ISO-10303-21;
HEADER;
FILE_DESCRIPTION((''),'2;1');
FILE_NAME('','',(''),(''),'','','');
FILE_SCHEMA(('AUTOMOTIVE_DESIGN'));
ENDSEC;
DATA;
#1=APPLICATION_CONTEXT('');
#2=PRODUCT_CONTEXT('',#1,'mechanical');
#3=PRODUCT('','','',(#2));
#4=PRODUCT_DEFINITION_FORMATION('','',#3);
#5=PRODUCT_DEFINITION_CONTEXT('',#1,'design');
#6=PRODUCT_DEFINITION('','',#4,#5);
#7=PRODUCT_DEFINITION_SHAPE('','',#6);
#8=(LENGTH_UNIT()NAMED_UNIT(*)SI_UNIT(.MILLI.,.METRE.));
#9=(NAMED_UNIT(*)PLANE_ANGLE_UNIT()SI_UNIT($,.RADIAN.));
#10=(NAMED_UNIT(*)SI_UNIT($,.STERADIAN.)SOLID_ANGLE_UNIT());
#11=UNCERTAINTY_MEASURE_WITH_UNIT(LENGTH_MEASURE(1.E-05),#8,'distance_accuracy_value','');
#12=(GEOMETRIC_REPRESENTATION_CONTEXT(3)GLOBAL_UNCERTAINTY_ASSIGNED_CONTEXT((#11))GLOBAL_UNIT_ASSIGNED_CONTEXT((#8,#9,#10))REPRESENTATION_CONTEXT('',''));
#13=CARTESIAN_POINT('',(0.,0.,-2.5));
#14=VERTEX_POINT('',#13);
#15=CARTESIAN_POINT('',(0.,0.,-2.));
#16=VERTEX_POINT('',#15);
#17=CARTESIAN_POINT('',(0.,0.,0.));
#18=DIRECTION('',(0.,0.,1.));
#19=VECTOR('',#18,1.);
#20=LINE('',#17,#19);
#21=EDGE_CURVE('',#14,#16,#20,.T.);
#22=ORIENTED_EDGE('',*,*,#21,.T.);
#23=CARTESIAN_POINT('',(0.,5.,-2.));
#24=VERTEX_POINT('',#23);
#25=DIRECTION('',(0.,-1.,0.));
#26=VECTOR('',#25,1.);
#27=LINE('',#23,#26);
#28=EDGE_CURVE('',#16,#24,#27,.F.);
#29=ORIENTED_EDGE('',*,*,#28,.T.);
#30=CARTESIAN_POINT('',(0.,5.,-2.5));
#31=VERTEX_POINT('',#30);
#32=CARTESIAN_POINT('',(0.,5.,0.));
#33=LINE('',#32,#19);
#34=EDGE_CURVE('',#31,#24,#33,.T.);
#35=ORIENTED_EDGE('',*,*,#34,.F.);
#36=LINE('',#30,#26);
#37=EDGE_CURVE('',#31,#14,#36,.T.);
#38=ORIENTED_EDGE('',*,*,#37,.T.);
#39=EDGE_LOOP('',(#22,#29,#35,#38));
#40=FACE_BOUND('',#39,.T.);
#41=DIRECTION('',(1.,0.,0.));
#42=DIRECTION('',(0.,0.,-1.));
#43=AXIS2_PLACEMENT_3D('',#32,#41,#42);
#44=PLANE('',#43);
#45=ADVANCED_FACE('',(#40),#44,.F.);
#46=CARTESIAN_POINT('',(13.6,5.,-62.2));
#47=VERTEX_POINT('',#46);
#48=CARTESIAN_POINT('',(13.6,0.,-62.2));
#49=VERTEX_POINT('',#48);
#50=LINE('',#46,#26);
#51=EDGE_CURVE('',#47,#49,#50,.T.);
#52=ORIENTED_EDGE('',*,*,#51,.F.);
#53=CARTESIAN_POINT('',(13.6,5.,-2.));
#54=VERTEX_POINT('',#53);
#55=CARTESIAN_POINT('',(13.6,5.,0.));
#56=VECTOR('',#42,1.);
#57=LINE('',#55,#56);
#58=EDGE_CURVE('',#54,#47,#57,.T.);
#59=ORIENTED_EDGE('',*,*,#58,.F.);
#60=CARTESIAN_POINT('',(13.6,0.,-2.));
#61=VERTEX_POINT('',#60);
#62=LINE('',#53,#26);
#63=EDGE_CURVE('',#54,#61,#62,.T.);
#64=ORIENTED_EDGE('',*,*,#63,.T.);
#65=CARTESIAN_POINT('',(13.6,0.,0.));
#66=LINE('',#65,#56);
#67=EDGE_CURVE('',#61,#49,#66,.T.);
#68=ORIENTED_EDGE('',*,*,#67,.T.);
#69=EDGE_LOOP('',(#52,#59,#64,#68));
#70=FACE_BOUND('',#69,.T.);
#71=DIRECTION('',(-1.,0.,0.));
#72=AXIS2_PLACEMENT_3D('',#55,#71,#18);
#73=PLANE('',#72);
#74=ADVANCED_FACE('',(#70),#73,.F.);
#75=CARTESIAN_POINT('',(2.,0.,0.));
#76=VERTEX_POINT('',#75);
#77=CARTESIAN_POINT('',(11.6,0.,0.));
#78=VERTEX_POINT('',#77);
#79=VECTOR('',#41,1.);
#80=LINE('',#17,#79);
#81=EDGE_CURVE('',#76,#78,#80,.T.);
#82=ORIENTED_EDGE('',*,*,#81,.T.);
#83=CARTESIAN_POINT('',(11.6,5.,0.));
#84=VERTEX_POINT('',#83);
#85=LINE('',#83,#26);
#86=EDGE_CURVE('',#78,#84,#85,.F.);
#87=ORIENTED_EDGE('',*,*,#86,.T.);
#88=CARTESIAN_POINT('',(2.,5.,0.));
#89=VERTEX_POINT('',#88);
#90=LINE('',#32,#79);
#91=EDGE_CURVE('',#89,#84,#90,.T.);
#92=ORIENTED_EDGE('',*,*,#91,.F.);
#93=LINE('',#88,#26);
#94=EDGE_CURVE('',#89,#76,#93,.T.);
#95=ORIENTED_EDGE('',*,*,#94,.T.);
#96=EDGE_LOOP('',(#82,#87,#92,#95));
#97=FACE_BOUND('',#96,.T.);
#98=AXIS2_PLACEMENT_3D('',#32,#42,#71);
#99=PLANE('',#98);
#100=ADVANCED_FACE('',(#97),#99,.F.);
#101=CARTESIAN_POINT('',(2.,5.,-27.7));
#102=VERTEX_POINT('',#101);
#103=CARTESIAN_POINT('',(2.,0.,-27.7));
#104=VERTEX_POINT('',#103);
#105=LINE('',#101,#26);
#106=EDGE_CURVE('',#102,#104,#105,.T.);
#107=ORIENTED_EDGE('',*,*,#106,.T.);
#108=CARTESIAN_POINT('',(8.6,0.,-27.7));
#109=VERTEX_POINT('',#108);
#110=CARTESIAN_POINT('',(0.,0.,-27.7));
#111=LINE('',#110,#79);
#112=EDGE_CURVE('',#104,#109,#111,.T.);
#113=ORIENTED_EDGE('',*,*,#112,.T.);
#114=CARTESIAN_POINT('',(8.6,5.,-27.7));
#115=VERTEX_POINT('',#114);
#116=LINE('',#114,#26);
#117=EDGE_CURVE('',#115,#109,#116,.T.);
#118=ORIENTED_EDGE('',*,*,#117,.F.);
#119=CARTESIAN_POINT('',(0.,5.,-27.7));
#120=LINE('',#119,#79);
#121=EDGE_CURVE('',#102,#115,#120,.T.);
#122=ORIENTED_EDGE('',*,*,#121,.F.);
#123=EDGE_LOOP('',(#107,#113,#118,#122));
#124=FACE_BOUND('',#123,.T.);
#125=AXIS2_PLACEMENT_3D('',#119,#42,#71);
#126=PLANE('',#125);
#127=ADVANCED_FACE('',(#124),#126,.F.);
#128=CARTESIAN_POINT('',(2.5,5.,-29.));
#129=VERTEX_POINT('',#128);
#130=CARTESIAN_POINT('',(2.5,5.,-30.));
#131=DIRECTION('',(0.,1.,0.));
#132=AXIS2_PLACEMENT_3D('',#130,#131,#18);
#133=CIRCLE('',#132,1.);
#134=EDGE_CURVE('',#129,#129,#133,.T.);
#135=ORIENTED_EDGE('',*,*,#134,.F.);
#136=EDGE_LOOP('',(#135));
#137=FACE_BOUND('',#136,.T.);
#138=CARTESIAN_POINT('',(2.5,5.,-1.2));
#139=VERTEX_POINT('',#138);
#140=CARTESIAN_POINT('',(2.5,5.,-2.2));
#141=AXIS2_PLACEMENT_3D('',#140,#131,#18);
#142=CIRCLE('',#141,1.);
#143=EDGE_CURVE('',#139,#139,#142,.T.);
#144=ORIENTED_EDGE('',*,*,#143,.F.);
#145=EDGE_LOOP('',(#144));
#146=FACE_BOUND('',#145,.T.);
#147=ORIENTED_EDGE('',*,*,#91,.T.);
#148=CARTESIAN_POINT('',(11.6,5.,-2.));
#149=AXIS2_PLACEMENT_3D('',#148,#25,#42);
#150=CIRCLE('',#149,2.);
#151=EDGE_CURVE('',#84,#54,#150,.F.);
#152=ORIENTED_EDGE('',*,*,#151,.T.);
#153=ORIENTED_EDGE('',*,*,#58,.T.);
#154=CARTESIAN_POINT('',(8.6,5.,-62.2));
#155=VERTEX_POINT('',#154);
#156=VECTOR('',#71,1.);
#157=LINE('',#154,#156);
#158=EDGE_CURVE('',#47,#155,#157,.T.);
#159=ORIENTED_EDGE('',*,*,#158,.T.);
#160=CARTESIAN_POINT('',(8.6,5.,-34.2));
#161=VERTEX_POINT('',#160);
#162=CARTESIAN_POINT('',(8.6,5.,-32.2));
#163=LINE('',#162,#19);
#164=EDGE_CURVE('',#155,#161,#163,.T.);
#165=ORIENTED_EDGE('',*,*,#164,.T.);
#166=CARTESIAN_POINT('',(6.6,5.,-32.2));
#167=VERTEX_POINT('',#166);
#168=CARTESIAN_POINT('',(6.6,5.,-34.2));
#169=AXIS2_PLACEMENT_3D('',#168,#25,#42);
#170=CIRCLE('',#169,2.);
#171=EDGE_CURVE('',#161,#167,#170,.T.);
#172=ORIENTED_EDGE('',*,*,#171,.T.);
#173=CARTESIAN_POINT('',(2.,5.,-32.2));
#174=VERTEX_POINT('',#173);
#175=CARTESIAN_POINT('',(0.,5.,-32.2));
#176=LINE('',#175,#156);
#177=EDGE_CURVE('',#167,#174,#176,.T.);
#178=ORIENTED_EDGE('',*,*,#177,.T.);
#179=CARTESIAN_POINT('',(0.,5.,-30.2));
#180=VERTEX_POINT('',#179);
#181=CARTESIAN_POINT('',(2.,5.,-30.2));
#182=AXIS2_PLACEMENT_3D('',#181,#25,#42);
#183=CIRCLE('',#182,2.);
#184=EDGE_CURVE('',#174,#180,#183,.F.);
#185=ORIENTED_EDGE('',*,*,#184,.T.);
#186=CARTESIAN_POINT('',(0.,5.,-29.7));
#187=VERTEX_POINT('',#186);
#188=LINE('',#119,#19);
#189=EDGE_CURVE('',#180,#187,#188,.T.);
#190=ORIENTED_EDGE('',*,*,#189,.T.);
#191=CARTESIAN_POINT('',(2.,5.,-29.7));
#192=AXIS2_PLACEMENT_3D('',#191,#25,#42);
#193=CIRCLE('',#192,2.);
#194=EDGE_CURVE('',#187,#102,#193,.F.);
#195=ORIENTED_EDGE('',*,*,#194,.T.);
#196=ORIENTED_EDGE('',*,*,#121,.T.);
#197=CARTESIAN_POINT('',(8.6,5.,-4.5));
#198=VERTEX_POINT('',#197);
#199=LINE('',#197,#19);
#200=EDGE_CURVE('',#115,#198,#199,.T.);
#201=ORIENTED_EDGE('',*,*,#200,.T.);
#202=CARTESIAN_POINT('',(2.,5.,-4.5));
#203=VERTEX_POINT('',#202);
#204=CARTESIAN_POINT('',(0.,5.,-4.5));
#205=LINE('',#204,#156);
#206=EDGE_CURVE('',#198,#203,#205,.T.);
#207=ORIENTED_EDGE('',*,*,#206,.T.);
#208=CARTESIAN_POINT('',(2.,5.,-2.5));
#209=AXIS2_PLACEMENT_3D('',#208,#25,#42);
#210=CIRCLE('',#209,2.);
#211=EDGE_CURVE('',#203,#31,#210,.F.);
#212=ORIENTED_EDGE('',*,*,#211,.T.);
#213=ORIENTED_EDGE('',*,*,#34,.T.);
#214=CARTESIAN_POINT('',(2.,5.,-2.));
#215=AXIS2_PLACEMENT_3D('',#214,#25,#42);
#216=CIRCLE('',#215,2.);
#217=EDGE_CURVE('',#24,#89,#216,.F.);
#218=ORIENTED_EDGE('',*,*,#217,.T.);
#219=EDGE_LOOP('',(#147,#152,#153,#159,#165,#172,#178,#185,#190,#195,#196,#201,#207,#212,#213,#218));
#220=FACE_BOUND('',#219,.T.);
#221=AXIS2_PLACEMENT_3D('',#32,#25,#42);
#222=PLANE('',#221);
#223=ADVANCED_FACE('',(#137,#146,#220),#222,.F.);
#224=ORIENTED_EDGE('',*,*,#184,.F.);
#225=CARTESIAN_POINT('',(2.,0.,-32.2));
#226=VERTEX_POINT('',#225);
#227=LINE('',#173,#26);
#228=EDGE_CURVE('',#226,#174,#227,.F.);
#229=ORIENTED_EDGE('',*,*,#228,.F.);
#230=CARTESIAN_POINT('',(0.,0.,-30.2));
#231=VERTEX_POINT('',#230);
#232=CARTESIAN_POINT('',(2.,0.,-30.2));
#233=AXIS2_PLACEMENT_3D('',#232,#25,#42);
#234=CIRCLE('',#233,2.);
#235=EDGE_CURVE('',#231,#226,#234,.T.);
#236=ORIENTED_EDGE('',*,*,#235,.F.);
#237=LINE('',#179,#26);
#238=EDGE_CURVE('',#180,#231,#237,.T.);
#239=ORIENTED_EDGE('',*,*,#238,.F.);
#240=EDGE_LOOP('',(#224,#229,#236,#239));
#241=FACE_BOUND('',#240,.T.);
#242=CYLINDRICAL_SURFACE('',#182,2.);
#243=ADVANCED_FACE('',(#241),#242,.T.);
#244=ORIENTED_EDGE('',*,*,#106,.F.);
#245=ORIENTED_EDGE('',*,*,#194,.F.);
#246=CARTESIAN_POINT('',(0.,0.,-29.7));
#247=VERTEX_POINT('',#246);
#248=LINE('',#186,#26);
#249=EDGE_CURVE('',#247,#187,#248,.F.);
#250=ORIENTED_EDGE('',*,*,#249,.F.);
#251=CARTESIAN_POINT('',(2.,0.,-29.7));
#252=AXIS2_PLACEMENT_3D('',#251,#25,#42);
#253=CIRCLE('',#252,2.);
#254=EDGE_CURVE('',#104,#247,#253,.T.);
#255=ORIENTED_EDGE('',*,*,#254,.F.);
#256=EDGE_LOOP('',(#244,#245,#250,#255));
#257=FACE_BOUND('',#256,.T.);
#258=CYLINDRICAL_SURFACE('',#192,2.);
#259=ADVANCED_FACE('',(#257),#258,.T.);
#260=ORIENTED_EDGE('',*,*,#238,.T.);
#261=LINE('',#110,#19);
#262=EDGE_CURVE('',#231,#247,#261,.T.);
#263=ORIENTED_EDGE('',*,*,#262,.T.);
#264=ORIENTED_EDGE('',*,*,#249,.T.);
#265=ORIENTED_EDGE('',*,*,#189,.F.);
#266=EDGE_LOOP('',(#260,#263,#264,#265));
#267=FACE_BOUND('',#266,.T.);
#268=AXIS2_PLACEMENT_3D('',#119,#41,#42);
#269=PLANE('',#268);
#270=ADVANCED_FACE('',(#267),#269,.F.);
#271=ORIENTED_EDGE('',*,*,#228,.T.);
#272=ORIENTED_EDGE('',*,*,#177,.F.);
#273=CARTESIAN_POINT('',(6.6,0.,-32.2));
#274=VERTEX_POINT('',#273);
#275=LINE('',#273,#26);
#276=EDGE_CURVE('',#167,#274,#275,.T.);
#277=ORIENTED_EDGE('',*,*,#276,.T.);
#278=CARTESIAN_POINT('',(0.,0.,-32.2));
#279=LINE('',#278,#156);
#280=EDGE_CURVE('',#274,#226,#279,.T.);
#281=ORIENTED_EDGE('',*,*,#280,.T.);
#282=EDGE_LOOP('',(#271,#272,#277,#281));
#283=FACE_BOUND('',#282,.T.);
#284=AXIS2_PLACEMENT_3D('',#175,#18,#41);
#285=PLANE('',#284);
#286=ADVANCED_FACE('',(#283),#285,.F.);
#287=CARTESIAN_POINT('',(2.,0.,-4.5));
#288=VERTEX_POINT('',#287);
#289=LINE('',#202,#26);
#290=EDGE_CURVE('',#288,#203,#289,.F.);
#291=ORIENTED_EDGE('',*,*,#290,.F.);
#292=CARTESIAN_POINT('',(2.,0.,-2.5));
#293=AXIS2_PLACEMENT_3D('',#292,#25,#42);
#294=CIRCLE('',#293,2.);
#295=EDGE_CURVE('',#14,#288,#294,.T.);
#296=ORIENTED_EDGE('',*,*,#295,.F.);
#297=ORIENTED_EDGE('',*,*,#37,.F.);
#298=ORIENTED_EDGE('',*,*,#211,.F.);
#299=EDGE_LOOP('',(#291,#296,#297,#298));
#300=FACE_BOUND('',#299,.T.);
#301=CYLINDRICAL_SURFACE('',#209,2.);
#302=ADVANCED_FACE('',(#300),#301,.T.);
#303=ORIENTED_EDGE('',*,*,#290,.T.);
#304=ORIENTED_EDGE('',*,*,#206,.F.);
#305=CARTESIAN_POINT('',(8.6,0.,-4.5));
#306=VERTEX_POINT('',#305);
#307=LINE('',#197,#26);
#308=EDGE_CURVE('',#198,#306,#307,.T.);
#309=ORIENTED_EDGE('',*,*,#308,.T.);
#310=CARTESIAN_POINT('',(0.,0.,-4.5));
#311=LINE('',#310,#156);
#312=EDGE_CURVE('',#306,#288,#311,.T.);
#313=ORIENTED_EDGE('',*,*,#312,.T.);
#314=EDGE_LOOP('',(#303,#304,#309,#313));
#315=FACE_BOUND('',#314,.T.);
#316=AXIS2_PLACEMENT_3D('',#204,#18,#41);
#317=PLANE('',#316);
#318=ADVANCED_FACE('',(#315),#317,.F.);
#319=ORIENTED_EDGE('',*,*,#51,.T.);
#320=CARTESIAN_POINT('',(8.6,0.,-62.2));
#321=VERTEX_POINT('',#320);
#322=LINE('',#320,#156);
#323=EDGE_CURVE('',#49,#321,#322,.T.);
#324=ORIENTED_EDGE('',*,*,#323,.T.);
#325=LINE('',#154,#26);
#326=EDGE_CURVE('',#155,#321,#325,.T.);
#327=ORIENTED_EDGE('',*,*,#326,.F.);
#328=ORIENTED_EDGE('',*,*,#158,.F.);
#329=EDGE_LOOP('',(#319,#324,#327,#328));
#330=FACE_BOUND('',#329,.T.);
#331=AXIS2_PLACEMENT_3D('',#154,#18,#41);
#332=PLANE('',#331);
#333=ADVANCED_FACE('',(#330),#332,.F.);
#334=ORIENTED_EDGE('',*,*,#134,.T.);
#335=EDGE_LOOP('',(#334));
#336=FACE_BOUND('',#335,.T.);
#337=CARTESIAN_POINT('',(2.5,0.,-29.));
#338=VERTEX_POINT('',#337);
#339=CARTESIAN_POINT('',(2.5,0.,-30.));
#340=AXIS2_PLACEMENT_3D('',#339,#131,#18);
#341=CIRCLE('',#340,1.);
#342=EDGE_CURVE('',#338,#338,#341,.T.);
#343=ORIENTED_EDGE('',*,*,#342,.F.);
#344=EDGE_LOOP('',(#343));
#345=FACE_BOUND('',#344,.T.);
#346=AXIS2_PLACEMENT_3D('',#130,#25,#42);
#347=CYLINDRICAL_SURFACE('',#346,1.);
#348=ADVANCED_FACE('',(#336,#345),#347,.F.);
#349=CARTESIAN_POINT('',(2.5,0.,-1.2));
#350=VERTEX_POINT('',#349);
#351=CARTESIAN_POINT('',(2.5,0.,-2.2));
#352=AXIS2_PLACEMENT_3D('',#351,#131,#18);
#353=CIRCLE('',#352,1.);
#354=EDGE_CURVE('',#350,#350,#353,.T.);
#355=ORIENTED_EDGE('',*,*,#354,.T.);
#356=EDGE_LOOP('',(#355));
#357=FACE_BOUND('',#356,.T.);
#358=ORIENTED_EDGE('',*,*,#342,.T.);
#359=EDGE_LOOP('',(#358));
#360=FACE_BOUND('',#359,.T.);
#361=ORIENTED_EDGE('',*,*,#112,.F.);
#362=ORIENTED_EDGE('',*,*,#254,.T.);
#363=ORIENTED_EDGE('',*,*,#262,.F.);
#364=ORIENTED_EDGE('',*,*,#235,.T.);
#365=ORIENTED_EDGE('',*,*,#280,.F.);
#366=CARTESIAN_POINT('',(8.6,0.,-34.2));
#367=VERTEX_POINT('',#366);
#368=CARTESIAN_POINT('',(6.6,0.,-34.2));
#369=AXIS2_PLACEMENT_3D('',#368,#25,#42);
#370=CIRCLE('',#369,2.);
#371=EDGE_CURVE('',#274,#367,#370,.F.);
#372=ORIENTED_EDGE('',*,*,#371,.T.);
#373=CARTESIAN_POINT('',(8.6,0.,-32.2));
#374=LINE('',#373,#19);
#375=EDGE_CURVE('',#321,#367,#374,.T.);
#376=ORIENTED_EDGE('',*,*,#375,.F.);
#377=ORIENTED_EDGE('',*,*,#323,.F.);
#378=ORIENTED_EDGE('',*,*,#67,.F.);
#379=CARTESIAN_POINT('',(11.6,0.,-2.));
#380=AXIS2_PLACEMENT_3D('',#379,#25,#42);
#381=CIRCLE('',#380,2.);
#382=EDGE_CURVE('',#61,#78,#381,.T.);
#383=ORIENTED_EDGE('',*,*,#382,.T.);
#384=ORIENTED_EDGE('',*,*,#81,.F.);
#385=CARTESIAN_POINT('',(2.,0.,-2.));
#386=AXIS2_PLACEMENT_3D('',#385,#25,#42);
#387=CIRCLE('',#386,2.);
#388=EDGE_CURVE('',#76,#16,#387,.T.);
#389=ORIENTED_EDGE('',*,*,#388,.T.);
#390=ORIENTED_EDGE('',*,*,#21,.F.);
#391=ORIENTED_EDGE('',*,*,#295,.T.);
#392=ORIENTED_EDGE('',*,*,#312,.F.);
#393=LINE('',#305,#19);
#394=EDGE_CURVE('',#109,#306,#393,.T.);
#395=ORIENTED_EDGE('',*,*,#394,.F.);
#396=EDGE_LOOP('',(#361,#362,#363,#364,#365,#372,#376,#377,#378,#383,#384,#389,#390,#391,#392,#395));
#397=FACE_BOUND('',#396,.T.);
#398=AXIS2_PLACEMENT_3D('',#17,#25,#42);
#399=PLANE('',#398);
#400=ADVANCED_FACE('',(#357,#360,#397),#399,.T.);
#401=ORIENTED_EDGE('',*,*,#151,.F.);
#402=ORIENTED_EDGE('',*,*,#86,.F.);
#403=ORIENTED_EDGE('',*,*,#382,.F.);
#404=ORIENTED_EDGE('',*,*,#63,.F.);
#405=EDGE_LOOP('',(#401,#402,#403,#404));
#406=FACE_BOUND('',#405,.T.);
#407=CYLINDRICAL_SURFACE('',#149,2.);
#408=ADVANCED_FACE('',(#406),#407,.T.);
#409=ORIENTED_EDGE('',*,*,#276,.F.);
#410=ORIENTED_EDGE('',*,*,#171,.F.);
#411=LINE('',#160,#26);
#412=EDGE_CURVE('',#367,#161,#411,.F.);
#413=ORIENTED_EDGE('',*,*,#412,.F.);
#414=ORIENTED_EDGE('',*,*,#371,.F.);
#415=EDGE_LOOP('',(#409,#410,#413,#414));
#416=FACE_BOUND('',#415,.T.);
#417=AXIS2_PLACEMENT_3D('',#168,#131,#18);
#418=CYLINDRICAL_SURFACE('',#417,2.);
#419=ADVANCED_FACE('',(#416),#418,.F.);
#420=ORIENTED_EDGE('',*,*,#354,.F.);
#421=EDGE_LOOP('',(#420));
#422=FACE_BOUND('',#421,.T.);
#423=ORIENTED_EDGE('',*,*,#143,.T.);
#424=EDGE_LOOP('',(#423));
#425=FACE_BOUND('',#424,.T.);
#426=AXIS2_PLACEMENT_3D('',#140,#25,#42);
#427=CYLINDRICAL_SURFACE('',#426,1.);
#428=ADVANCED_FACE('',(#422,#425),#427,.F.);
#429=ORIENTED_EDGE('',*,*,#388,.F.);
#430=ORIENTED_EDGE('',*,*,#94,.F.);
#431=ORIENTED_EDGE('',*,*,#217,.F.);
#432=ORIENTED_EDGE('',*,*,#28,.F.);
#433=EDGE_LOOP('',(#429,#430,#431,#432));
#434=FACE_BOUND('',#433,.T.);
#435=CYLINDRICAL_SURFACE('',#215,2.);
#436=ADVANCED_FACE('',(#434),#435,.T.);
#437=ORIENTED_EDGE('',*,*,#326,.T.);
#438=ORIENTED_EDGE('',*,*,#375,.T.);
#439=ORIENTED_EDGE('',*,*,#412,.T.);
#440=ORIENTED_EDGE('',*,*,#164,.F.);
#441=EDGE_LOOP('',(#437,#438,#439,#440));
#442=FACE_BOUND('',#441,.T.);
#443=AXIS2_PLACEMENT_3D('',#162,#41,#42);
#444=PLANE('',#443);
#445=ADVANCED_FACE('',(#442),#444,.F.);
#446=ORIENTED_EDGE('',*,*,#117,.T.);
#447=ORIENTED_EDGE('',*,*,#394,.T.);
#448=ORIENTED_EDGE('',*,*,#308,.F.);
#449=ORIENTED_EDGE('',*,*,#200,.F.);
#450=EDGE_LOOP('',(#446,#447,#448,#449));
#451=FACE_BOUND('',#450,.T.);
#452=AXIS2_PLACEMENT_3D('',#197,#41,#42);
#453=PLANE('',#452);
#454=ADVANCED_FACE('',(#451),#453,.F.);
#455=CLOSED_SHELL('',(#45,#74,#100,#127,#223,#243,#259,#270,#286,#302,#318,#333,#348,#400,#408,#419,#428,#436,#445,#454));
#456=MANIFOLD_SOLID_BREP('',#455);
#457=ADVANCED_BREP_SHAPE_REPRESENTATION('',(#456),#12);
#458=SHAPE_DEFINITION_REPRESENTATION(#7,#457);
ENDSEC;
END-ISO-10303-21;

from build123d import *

# Parameters (mm, degrees)
SKETCH1_R           = 1
BOSS_EXTRUDE1_DEPTH = 5
FILLET1_R           = 2


with BuildPart() as part:
    # Sketch1 → Boss-Extrude1 (new body)
    with BuildSketch(Plane(origin=(0, 0, 0), x_dir=(1, 0, 0), z_dir=(0, 1, 0))):
        Polygon((0, 4.5), (8.6, 4.5), (8.6, 27.7), (0, 27.7), (0, 32.2), (8.6, 32.2), (8.6, 62.2), (13.6, 62.2), (13.6, 0), (0, 0), align=None)
        with Locations(Location((2.5, 2.2, 0), (0, 0, 270))):
            Circle(SKETCH1_R, mode=Mode.SUBTRACT)
        with Locations(Location((2.5, 30, 0), (0, 0, 270))):
            Circle(SKETCH1_R, mode=Mode.SUBTRACT)
    extrude(amount=BOSS_EXTRUDE1_DEPTH)

    # Fillet1
    fillet1_edges = [part.edges().sort_by_distance(p)[0] for p in [
        (0, 2.5, -4.5),
        (0, 2.5, -27.7),
        (0, 2.5, -32.2),
        (8.6, 2.5, -32.2),
        (13.6, 2.5, 0),
        (0, 2.5, 0),
    ]]
    fillet(fillet1_edges, radius=FILLET1_R)


solid = part.part
